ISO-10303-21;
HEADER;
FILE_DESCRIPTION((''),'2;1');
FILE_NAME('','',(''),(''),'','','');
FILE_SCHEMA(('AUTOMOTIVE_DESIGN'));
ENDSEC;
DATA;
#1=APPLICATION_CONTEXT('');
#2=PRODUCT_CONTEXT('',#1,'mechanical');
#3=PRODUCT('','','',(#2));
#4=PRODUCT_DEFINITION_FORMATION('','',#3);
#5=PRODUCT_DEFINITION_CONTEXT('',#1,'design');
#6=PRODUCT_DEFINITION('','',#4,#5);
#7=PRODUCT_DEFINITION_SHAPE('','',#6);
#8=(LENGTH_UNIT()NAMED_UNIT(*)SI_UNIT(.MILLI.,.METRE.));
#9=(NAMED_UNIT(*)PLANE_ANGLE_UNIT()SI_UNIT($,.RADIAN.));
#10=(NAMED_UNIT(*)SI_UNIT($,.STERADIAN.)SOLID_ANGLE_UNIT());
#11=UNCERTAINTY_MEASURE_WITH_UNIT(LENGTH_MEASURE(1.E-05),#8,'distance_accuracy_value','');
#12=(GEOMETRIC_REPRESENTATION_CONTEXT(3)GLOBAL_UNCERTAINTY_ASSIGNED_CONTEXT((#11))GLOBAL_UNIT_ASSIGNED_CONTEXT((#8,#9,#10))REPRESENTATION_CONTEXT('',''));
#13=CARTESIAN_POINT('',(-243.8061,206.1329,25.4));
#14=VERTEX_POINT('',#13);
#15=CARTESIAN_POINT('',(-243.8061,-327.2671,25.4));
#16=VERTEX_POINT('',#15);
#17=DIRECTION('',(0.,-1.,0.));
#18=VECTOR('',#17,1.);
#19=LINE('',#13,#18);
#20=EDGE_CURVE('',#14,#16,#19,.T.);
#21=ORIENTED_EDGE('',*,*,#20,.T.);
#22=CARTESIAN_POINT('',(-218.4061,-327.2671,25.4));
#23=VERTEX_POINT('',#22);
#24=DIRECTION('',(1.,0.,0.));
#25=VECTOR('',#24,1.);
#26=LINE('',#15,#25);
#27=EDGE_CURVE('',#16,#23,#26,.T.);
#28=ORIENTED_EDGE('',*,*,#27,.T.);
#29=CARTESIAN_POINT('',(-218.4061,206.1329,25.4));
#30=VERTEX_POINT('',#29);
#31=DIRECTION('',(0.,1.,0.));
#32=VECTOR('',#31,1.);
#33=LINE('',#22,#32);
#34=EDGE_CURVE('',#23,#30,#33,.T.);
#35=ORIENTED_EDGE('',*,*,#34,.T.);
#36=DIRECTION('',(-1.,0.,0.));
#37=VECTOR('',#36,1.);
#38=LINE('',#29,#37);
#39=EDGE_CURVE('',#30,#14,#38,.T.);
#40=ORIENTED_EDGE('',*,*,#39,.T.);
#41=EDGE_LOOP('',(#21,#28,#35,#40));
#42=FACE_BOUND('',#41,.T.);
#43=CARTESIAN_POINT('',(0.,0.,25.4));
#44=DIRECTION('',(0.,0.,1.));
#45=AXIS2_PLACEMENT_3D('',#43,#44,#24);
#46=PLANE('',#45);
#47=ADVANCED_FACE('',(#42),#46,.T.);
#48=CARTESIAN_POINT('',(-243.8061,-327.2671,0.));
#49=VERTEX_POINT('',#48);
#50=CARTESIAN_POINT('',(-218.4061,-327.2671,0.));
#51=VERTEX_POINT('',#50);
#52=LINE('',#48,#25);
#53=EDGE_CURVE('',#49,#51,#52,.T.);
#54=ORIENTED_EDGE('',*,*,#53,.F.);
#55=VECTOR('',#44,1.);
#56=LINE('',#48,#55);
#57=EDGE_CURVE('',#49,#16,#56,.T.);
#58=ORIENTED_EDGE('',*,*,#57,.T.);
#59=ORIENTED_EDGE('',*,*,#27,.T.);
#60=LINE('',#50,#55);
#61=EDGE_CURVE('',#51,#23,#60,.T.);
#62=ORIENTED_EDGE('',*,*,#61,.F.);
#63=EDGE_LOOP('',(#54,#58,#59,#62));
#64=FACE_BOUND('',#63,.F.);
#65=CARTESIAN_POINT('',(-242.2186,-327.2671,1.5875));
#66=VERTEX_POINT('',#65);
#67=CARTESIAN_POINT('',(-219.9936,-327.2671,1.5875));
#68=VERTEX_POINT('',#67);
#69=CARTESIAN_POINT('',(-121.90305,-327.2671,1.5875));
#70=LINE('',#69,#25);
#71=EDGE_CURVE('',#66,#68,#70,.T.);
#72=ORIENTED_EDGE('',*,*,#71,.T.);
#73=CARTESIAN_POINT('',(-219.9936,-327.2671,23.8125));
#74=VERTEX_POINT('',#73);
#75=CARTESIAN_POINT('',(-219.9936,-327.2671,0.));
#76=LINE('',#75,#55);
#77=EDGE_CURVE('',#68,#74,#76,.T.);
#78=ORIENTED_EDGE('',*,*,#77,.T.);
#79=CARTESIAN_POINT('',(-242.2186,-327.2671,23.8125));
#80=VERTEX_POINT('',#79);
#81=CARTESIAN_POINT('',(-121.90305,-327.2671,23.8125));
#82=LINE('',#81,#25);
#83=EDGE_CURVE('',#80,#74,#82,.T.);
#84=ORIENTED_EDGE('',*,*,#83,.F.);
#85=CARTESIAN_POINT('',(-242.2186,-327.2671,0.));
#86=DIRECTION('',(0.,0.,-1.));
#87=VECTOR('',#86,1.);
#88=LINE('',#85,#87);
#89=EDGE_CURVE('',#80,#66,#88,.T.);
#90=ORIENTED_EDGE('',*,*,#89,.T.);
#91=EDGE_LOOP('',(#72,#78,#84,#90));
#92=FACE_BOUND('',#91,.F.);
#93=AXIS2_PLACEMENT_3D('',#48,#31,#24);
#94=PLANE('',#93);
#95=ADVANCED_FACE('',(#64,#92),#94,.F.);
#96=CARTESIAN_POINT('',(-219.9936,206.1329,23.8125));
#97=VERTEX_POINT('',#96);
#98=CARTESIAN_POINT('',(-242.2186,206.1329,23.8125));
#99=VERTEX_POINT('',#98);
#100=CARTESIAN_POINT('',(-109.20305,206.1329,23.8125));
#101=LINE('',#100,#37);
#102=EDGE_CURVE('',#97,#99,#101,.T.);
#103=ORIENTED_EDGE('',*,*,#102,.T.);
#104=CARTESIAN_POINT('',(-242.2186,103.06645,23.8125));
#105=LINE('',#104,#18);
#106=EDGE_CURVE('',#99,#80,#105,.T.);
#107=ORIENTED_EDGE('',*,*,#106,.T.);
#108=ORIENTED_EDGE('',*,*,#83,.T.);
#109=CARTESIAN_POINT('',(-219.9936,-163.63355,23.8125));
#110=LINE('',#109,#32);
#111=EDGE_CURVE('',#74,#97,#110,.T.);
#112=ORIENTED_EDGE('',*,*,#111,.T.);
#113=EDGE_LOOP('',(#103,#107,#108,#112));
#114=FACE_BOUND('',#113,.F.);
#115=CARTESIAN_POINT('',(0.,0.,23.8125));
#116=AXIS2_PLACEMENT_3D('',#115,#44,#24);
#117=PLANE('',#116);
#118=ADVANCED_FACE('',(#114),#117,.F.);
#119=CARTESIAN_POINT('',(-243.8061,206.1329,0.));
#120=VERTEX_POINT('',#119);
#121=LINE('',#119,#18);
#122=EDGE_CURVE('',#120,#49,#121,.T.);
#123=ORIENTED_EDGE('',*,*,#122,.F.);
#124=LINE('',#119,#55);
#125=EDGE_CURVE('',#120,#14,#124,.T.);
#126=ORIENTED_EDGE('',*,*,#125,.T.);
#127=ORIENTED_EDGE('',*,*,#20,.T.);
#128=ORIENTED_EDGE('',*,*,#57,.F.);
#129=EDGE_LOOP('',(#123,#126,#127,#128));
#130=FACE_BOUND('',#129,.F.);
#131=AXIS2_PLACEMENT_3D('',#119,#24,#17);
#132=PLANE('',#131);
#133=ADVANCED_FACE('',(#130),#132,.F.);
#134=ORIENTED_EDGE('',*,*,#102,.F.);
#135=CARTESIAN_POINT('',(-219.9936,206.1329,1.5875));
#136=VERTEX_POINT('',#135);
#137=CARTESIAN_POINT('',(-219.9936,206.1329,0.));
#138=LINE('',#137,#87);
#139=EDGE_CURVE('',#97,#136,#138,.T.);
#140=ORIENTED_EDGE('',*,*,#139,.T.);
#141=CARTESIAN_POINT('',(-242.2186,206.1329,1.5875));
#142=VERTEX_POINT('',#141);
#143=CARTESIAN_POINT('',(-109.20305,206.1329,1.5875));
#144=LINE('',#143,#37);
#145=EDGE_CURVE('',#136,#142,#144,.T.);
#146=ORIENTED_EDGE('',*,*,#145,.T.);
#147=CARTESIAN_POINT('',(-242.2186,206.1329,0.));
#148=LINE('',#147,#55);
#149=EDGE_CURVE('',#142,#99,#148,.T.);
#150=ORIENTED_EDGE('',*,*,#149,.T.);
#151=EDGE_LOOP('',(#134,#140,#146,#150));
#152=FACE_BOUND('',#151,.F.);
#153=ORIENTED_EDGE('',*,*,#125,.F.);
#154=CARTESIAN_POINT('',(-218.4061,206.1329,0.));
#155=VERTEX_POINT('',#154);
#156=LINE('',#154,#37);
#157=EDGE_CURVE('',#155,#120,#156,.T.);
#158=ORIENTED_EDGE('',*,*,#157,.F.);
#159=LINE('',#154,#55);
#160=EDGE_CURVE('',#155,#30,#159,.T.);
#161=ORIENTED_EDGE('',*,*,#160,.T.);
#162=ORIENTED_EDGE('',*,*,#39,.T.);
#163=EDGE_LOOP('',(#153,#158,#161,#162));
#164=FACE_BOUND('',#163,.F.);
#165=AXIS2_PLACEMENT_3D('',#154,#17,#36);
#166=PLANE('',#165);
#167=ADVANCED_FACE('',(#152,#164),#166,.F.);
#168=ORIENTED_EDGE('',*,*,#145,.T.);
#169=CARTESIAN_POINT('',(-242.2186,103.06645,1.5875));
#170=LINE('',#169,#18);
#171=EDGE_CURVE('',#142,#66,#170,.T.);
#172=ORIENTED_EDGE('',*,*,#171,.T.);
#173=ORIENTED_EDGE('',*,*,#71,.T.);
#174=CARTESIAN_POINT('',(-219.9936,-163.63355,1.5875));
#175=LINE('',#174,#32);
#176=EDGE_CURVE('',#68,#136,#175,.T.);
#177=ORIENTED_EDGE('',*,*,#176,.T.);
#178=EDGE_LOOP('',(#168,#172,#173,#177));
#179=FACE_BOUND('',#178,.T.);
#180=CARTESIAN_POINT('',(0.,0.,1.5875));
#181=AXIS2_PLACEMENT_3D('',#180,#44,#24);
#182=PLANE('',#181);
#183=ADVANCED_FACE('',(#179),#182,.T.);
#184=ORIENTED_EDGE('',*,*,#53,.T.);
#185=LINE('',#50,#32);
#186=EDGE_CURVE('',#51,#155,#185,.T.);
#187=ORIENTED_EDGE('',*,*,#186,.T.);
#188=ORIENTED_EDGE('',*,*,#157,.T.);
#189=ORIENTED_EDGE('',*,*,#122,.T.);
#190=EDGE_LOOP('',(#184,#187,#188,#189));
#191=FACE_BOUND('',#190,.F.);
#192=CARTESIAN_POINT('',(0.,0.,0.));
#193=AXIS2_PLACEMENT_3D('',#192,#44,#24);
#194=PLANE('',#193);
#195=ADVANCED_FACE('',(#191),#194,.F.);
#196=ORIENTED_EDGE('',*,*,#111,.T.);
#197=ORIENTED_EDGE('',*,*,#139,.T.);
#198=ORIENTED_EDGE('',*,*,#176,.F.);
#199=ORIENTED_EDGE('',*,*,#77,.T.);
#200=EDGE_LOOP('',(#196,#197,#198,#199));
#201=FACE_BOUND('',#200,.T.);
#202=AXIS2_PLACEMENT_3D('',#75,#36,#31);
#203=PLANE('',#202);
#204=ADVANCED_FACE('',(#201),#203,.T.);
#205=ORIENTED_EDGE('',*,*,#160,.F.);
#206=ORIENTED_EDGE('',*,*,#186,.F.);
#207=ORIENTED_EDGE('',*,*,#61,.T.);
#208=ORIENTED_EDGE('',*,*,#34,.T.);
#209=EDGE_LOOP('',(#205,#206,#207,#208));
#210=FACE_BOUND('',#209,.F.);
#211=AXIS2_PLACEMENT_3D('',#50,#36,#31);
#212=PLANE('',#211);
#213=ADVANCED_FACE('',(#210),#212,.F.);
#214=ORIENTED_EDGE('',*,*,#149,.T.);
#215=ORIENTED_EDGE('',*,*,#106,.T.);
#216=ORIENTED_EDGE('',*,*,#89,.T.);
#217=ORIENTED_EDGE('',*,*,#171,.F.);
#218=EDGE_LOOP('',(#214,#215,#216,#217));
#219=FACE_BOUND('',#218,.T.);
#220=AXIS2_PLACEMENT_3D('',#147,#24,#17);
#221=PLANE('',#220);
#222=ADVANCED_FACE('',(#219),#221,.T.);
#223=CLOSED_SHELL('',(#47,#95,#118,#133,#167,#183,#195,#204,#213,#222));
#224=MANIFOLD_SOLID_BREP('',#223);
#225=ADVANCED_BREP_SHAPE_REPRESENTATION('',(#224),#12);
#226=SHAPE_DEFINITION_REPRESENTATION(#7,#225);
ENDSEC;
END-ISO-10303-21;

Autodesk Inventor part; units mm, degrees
ref_plane "YZ Plane" through (0, 0, 0) normal (1, 0, 0) x (0, 1, 0)
ref_plane "XZ Plane" through (0, 0, 0) normal (0, 1, 0) x (-1, 0, 0)
ref_plane "XY Plane" through (0, 0, 0) normal (0, 0, 1) x (1, 0, 0)
sketch "Sketch1" plane through (0, 0, 0) normal (0, 0, 1) x (1, 0, 0)
  line L0 (-243.8061, 206.1329) -> (-243.8061, -327.2671)
  line L1 (-243.8061, -327.2671) -> (-218.4061, -327.2671)
  line L2 (-218.4061, -327.2671) -> (-218.4061, 206.1329)
  line L3 (-218.4061, 206.1329) -> (-243.8061, 206.1329)
  point P0 (0, 0)
  dimension "d1" = 533.4
  dimension "d9" = 25.4
extrude "Extrusion1" add sketch "Sketch1" along normal blind 25.4
shell "Shell2" thickness 1.5875 removed faces 2 at (-226.8728, -327.2671, 8.4667) at (-235.3394, 206.1329, 8.4667)
properties part number "Frame_FrontConveyorGuide" material "Aluminum-6061"
